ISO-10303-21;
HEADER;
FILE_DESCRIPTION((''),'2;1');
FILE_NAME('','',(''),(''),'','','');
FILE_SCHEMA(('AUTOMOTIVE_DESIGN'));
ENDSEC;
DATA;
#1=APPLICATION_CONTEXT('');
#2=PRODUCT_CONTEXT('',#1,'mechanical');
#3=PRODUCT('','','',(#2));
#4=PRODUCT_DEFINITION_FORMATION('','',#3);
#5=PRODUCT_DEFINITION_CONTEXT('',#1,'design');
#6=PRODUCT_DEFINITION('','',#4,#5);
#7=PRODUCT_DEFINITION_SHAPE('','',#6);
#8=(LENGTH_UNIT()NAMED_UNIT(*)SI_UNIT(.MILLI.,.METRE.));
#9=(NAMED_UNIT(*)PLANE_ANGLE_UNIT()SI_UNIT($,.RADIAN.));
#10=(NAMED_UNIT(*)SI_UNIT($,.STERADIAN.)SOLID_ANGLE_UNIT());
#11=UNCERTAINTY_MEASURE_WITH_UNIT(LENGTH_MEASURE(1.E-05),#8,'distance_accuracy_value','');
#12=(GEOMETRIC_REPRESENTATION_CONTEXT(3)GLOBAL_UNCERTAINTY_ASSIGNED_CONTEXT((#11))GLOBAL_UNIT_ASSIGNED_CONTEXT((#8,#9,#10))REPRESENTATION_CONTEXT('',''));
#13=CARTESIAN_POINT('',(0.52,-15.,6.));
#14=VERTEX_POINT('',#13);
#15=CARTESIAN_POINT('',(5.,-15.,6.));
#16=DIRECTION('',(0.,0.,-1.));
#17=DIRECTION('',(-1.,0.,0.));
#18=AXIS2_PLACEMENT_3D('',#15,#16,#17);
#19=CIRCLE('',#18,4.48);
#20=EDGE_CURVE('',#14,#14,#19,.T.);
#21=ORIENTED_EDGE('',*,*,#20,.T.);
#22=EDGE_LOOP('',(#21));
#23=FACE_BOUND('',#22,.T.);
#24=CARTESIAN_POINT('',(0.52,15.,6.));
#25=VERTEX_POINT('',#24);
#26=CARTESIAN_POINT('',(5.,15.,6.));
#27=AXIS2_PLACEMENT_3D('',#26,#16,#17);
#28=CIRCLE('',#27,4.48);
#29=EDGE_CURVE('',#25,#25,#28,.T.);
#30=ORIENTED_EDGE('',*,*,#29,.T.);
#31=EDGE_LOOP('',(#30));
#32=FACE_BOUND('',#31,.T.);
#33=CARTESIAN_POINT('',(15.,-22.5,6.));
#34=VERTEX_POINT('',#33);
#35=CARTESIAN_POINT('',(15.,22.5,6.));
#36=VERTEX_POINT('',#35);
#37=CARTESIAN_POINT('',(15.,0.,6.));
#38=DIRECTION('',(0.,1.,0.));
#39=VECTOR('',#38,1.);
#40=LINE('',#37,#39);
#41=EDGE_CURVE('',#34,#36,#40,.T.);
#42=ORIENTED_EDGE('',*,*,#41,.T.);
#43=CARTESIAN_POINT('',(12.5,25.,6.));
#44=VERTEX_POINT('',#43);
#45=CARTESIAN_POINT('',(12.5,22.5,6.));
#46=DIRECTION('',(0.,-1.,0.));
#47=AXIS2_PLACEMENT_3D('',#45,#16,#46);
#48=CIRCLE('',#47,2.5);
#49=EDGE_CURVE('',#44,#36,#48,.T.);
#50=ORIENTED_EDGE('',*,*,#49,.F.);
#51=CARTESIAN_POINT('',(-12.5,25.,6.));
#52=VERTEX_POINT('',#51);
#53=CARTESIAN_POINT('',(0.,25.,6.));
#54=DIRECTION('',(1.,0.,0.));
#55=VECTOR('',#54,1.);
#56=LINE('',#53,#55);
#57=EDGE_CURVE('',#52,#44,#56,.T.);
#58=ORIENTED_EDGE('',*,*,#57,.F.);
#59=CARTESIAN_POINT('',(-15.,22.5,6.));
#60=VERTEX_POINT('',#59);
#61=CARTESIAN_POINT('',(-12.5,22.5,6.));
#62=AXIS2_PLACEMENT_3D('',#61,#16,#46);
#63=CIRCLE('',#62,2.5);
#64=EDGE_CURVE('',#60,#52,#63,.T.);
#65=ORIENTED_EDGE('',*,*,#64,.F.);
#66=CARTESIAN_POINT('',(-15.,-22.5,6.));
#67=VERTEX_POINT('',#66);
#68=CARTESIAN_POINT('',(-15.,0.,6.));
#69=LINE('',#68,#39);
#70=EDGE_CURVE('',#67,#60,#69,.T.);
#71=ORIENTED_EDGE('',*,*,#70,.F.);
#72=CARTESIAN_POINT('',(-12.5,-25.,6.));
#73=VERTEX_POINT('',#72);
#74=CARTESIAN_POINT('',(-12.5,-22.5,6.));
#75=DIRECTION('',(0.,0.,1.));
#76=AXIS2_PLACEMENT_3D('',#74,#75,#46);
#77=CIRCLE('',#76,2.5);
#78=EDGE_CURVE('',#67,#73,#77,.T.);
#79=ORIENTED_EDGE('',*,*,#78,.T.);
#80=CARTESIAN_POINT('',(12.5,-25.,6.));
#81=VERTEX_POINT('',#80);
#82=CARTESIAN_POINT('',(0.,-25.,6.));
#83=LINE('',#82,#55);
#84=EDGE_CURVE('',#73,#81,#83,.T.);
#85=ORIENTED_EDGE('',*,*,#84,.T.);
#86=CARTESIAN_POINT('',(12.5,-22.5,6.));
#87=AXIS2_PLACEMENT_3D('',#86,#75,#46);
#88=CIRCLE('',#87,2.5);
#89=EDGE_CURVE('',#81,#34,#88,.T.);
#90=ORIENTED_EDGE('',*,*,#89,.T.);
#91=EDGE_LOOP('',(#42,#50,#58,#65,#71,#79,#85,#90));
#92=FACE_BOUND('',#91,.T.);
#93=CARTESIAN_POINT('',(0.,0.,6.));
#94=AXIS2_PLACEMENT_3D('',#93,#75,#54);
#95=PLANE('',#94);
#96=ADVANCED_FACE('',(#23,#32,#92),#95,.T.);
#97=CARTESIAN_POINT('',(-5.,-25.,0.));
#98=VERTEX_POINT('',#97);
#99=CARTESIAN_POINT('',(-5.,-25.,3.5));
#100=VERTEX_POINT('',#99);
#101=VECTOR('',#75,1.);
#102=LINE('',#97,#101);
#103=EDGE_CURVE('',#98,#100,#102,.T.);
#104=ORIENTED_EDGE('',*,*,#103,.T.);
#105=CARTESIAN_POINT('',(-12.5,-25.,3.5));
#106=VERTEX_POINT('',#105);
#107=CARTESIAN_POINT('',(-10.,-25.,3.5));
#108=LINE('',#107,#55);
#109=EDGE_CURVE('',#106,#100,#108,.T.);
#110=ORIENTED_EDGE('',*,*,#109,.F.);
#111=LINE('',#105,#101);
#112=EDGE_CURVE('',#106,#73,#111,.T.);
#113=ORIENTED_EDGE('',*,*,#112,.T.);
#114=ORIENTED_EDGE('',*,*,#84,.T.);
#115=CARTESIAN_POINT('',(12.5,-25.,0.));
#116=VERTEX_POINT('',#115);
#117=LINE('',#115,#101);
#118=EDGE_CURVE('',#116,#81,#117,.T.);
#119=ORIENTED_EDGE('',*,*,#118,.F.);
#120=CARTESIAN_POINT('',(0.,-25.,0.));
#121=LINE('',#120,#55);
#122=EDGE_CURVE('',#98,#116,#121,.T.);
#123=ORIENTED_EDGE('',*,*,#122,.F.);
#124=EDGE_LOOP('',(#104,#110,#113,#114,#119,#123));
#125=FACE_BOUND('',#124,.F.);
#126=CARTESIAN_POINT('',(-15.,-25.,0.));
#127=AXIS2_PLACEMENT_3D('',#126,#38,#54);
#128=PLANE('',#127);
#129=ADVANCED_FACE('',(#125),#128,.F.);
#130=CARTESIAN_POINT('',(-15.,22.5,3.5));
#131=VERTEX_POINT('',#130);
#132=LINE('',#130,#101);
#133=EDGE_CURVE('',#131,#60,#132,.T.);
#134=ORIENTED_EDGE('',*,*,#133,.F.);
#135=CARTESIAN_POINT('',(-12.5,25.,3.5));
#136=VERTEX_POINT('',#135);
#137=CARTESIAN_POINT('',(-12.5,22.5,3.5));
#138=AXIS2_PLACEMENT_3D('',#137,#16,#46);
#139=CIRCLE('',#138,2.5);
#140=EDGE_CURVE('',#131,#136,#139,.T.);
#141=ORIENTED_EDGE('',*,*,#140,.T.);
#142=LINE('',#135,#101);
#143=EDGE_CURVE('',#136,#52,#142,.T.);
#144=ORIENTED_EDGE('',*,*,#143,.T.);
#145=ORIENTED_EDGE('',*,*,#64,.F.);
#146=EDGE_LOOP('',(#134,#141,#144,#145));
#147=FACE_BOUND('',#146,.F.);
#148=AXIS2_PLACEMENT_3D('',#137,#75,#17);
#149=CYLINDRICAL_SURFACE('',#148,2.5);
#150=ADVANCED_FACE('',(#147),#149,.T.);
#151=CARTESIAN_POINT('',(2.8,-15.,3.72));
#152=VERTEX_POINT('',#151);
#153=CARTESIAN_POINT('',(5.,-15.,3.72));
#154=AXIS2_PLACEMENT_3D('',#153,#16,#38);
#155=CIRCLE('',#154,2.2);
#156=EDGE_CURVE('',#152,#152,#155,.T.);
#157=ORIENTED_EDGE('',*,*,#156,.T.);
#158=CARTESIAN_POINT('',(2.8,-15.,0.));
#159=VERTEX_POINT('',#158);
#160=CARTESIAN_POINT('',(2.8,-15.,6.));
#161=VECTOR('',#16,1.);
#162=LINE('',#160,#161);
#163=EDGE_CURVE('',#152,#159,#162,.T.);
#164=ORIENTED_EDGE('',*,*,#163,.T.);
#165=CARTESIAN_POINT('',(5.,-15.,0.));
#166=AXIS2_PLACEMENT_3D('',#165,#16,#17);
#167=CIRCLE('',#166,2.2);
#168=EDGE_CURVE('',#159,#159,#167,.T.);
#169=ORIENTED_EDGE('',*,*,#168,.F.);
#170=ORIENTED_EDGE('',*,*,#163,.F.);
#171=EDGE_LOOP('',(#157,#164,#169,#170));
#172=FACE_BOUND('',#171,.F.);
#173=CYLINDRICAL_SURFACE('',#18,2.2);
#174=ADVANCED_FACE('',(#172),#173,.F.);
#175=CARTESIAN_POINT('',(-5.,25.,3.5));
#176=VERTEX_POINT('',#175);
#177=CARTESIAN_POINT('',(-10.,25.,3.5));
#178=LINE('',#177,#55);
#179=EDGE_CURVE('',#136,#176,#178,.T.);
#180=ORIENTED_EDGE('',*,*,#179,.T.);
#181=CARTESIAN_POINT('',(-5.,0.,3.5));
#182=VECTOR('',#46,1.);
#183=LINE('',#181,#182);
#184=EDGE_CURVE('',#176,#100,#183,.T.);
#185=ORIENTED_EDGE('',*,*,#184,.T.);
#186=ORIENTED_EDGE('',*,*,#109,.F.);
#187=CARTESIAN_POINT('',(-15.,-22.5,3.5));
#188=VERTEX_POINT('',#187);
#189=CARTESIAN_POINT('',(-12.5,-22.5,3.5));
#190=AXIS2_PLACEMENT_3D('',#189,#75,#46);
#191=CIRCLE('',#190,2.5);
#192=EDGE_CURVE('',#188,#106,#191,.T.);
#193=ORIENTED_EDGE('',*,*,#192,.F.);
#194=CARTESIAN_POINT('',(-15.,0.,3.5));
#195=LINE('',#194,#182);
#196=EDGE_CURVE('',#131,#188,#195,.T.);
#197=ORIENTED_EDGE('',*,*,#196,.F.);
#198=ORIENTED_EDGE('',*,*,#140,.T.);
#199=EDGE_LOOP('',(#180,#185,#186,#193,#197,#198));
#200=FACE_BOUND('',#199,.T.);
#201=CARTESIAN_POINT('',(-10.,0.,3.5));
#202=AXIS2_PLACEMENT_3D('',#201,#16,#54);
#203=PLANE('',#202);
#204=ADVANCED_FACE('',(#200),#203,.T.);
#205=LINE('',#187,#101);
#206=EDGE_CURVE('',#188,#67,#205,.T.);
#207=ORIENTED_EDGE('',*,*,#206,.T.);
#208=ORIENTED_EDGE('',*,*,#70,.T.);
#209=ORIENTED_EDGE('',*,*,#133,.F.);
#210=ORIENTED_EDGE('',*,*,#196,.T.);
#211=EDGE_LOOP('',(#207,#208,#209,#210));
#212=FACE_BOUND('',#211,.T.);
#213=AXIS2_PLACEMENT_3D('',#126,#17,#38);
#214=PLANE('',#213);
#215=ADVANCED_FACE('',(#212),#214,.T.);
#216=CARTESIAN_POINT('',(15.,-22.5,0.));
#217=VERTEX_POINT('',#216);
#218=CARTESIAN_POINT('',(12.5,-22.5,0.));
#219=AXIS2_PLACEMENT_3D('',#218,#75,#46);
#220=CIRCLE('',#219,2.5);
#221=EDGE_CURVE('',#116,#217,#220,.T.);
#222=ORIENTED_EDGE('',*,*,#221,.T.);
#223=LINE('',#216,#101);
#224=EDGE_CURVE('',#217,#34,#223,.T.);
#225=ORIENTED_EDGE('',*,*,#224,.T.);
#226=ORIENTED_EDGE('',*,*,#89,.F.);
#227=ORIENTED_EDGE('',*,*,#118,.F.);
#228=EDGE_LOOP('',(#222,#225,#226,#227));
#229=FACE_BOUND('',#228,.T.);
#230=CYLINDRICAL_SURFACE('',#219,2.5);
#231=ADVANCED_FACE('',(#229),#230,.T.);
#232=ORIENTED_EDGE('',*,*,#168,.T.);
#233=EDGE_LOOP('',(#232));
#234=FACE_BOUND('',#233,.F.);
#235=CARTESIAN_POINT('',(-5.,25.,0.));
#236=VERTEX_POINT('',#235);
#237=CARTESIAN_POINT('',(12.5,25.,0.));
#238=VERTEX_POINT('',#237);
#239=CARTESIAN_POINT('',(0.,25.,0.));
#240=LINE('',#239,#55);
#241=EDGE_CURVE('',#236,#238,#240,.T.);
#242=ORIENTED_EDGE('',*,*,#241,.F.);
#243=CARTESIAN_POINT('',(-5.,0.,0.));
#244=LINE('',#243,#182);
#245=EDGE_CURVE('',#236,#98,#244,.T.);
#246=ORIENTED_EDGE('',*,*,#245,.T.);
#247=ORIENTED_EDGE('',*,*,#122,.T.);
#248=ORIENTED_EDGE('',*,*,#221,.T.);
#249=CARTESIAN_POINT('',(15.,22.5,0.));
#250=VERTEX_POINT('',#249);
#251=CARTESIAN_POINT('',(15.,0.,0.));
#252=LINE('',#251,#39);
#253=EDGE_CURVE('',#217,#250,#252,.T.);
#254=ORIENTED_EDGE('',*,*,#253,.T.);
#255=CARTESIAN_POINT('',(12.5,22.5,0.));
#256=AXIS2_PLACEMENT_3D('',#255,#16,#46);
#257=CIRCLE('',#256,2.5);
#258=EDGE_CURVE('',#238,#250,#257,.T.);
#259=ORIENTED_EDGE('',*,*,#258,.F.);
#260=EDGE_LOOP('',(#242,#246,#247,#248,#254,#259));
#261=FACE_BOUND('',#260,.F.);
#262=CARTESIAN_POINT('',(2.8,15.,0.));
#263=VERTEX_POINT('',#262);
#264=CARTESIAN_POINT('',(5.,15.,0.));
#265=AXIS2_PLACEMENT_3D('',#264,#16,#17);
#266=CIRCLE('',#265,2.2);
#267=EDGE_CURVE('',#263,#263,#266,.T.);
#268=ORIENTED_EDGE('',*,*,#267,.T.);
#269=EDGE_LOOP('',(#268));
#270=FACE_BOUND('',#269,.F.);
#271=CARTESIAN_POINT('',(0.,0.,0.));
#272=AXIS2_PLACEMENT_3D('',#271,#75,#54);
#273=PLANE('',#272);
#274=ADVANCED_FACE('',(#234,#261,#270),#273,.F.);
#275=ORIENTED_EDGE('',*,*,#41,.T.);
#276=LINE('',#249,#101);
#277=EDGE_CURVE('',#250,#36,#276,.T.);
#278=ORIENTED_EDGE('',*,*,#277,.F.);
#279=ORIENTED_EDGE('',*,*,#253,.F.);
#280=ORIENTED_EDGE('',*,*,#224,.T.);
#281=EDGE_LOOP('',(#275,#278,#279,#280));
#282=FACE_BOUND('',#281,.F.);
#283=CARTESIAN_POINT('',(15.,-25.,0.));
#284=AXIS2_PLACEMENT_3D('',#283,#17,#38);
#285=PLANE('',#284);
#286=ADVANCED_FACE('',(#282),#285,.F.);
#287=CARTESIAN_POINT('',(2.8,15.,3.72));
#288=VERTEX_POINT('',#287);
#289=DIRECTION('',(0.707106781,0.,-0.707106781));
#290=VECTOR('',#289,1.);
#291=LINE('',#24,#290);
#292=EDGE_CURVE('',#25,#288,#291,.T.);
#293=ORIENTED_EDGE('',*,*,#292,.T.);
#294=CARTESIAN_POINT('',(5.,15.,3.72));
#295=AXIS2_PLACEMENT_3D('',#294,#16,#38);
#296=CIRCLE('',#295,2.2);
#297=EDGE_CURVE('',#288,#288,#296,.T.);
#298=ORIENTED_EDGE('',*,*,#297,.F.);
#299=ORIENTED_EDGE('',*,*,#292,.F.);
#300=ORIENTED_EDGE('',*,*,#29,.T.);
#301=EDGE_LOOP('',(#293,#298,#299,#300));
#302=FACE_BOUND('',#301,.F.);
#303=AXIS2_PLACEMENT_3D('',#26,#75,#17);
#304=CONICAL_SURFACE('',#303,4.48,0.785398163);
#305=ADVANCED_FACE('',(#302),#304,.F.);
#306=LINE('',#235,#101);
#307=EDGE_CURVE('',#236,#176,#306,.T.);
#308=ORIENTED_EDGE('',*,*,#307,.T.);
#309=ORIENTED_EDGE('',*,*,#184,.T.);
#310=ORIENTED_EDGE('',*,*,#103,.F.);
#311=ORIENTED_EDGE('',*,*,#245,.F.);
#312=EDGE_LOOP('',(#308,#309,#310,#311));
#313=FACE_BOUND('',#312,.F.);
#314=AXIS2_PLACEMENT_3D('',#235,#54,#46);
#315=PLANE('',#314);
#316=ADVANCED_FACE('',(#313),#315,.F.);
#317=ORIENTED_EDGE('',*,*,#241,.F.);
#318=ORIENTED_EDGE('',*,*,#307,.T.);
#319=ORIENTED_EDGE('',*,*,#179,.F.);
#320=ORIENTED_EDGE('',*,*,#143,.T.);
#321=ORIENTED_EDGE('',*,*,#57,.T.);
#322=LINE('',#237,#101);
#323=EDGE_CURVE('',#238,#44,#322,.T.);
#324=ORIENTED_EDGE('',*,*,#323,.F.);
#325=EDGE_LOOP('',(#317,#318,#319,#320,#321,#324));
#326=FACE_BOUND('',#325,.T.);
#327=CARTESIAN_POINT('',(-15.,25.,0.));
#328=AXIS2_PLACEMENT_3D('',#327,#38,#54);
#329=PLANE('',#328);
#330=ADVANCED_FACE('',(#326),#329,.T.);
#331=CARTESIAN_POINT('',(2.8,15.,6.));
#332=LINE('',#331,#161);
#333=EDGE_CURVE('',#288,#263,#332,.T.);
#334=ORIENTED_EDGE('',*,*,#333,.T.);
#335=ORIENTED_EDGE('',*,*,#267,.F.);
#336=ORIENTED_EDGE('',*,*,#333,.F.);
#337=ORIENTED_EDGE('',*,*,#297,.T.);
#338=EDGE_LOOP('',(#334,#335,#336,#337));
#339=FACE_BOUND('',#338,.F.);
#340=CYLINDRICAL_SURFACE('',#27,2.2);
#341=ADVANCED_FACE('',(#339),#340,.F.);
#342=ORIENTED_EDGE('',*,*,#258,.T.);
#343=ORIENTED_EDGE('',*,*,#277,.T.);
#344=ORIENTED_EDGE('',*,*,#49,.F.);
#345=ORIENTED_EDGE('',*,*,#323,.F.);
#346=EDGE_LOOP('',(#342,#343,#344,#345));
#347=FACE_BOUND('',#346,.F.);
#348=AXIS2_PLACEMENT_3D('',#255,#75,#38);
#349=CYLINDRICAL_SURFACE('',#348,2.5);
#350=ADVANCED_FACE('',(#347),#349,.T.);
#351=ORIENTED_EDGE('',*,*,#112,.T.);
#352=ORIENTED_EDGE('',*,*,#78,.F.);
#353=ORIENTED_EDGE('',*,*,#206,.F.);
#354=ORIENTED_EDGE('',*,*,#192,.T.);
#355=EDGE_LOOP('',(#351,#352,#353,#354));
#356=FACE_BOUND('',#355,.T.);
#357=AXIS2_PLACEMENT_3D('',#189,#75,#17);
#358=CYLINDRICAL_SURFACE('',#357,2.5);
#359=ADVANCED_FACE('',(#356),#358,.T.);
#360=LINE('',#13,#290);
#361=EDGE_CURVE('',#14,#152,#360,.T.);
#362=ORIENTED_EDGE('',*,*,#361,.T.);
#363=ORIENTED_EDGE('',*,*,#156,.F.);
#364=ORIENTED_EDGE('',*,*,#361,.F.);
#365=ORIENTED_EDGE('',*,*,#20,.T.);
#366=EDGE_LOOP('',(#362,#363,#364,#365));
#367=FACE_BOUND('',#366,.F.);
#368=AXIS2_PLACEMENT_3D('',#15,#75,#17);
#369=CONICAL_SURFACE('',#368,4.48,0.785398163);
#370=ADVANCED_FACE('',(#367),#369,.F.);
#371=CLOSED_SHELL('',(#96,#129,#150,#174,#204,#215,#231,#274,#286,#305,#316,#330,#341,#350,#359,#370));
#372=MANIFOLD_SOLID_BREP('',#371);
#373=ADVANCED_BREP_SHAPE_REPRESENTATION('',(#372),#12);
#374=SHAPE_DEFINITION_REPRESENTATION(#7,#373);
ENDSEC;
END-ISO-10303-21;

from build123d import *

# Parameters (mm, degrees)
F0_W           = 30
F0_H           = 50
F1_DEPTH       = 6
F3_D           = 4.4
F3_CSINK_D     = 8.96
F3_CSINK_ANGLE = 90
F4_W           = 10
F4_H           = 50
F5_DEPTH       = 3.5
F6_R           = 2.5


with BuildPart() as f1:
    # F0 (on Top) → F1 (new body)
    with BuildSketch(Plane.XY):
        Rectangle(F0_W, F0_H)
    extrude(amount=F1_DEPTH)

    # F3 (through all)
    with Locations(Plane.XY.offset(6)):
        with Locations((5, 15), (5, -15)):
            CounterSinkHole(F3_D / 2, F3_CSINK_D / 2, counter_sink_angle=F3_CSINK_ANGLE)

    # F4 (on face) → F5 (cut)
    with BuildSketch(Plane(origin=(0, 0, 0), x_dir=(1, 0, 0), z_dir=(0, 0, -1))):
        with Locations((-10, 0)):
            Rectangle(F4_W, F4_H)
    extrude(amount=-F5_DEPTH, mode=Mode.SUBTRACT)

    # F6
    f6_edges = [f1.edges().sort_by_distance(p)[0] for p in [
        (-15, -25, 4.75),
        (15, -25, 3),
        (-15, 25, 4.75),
        (15, 25, 3),
    ]]
    fillet(f6_edges, radius=F6_R)


solid = f1.part
